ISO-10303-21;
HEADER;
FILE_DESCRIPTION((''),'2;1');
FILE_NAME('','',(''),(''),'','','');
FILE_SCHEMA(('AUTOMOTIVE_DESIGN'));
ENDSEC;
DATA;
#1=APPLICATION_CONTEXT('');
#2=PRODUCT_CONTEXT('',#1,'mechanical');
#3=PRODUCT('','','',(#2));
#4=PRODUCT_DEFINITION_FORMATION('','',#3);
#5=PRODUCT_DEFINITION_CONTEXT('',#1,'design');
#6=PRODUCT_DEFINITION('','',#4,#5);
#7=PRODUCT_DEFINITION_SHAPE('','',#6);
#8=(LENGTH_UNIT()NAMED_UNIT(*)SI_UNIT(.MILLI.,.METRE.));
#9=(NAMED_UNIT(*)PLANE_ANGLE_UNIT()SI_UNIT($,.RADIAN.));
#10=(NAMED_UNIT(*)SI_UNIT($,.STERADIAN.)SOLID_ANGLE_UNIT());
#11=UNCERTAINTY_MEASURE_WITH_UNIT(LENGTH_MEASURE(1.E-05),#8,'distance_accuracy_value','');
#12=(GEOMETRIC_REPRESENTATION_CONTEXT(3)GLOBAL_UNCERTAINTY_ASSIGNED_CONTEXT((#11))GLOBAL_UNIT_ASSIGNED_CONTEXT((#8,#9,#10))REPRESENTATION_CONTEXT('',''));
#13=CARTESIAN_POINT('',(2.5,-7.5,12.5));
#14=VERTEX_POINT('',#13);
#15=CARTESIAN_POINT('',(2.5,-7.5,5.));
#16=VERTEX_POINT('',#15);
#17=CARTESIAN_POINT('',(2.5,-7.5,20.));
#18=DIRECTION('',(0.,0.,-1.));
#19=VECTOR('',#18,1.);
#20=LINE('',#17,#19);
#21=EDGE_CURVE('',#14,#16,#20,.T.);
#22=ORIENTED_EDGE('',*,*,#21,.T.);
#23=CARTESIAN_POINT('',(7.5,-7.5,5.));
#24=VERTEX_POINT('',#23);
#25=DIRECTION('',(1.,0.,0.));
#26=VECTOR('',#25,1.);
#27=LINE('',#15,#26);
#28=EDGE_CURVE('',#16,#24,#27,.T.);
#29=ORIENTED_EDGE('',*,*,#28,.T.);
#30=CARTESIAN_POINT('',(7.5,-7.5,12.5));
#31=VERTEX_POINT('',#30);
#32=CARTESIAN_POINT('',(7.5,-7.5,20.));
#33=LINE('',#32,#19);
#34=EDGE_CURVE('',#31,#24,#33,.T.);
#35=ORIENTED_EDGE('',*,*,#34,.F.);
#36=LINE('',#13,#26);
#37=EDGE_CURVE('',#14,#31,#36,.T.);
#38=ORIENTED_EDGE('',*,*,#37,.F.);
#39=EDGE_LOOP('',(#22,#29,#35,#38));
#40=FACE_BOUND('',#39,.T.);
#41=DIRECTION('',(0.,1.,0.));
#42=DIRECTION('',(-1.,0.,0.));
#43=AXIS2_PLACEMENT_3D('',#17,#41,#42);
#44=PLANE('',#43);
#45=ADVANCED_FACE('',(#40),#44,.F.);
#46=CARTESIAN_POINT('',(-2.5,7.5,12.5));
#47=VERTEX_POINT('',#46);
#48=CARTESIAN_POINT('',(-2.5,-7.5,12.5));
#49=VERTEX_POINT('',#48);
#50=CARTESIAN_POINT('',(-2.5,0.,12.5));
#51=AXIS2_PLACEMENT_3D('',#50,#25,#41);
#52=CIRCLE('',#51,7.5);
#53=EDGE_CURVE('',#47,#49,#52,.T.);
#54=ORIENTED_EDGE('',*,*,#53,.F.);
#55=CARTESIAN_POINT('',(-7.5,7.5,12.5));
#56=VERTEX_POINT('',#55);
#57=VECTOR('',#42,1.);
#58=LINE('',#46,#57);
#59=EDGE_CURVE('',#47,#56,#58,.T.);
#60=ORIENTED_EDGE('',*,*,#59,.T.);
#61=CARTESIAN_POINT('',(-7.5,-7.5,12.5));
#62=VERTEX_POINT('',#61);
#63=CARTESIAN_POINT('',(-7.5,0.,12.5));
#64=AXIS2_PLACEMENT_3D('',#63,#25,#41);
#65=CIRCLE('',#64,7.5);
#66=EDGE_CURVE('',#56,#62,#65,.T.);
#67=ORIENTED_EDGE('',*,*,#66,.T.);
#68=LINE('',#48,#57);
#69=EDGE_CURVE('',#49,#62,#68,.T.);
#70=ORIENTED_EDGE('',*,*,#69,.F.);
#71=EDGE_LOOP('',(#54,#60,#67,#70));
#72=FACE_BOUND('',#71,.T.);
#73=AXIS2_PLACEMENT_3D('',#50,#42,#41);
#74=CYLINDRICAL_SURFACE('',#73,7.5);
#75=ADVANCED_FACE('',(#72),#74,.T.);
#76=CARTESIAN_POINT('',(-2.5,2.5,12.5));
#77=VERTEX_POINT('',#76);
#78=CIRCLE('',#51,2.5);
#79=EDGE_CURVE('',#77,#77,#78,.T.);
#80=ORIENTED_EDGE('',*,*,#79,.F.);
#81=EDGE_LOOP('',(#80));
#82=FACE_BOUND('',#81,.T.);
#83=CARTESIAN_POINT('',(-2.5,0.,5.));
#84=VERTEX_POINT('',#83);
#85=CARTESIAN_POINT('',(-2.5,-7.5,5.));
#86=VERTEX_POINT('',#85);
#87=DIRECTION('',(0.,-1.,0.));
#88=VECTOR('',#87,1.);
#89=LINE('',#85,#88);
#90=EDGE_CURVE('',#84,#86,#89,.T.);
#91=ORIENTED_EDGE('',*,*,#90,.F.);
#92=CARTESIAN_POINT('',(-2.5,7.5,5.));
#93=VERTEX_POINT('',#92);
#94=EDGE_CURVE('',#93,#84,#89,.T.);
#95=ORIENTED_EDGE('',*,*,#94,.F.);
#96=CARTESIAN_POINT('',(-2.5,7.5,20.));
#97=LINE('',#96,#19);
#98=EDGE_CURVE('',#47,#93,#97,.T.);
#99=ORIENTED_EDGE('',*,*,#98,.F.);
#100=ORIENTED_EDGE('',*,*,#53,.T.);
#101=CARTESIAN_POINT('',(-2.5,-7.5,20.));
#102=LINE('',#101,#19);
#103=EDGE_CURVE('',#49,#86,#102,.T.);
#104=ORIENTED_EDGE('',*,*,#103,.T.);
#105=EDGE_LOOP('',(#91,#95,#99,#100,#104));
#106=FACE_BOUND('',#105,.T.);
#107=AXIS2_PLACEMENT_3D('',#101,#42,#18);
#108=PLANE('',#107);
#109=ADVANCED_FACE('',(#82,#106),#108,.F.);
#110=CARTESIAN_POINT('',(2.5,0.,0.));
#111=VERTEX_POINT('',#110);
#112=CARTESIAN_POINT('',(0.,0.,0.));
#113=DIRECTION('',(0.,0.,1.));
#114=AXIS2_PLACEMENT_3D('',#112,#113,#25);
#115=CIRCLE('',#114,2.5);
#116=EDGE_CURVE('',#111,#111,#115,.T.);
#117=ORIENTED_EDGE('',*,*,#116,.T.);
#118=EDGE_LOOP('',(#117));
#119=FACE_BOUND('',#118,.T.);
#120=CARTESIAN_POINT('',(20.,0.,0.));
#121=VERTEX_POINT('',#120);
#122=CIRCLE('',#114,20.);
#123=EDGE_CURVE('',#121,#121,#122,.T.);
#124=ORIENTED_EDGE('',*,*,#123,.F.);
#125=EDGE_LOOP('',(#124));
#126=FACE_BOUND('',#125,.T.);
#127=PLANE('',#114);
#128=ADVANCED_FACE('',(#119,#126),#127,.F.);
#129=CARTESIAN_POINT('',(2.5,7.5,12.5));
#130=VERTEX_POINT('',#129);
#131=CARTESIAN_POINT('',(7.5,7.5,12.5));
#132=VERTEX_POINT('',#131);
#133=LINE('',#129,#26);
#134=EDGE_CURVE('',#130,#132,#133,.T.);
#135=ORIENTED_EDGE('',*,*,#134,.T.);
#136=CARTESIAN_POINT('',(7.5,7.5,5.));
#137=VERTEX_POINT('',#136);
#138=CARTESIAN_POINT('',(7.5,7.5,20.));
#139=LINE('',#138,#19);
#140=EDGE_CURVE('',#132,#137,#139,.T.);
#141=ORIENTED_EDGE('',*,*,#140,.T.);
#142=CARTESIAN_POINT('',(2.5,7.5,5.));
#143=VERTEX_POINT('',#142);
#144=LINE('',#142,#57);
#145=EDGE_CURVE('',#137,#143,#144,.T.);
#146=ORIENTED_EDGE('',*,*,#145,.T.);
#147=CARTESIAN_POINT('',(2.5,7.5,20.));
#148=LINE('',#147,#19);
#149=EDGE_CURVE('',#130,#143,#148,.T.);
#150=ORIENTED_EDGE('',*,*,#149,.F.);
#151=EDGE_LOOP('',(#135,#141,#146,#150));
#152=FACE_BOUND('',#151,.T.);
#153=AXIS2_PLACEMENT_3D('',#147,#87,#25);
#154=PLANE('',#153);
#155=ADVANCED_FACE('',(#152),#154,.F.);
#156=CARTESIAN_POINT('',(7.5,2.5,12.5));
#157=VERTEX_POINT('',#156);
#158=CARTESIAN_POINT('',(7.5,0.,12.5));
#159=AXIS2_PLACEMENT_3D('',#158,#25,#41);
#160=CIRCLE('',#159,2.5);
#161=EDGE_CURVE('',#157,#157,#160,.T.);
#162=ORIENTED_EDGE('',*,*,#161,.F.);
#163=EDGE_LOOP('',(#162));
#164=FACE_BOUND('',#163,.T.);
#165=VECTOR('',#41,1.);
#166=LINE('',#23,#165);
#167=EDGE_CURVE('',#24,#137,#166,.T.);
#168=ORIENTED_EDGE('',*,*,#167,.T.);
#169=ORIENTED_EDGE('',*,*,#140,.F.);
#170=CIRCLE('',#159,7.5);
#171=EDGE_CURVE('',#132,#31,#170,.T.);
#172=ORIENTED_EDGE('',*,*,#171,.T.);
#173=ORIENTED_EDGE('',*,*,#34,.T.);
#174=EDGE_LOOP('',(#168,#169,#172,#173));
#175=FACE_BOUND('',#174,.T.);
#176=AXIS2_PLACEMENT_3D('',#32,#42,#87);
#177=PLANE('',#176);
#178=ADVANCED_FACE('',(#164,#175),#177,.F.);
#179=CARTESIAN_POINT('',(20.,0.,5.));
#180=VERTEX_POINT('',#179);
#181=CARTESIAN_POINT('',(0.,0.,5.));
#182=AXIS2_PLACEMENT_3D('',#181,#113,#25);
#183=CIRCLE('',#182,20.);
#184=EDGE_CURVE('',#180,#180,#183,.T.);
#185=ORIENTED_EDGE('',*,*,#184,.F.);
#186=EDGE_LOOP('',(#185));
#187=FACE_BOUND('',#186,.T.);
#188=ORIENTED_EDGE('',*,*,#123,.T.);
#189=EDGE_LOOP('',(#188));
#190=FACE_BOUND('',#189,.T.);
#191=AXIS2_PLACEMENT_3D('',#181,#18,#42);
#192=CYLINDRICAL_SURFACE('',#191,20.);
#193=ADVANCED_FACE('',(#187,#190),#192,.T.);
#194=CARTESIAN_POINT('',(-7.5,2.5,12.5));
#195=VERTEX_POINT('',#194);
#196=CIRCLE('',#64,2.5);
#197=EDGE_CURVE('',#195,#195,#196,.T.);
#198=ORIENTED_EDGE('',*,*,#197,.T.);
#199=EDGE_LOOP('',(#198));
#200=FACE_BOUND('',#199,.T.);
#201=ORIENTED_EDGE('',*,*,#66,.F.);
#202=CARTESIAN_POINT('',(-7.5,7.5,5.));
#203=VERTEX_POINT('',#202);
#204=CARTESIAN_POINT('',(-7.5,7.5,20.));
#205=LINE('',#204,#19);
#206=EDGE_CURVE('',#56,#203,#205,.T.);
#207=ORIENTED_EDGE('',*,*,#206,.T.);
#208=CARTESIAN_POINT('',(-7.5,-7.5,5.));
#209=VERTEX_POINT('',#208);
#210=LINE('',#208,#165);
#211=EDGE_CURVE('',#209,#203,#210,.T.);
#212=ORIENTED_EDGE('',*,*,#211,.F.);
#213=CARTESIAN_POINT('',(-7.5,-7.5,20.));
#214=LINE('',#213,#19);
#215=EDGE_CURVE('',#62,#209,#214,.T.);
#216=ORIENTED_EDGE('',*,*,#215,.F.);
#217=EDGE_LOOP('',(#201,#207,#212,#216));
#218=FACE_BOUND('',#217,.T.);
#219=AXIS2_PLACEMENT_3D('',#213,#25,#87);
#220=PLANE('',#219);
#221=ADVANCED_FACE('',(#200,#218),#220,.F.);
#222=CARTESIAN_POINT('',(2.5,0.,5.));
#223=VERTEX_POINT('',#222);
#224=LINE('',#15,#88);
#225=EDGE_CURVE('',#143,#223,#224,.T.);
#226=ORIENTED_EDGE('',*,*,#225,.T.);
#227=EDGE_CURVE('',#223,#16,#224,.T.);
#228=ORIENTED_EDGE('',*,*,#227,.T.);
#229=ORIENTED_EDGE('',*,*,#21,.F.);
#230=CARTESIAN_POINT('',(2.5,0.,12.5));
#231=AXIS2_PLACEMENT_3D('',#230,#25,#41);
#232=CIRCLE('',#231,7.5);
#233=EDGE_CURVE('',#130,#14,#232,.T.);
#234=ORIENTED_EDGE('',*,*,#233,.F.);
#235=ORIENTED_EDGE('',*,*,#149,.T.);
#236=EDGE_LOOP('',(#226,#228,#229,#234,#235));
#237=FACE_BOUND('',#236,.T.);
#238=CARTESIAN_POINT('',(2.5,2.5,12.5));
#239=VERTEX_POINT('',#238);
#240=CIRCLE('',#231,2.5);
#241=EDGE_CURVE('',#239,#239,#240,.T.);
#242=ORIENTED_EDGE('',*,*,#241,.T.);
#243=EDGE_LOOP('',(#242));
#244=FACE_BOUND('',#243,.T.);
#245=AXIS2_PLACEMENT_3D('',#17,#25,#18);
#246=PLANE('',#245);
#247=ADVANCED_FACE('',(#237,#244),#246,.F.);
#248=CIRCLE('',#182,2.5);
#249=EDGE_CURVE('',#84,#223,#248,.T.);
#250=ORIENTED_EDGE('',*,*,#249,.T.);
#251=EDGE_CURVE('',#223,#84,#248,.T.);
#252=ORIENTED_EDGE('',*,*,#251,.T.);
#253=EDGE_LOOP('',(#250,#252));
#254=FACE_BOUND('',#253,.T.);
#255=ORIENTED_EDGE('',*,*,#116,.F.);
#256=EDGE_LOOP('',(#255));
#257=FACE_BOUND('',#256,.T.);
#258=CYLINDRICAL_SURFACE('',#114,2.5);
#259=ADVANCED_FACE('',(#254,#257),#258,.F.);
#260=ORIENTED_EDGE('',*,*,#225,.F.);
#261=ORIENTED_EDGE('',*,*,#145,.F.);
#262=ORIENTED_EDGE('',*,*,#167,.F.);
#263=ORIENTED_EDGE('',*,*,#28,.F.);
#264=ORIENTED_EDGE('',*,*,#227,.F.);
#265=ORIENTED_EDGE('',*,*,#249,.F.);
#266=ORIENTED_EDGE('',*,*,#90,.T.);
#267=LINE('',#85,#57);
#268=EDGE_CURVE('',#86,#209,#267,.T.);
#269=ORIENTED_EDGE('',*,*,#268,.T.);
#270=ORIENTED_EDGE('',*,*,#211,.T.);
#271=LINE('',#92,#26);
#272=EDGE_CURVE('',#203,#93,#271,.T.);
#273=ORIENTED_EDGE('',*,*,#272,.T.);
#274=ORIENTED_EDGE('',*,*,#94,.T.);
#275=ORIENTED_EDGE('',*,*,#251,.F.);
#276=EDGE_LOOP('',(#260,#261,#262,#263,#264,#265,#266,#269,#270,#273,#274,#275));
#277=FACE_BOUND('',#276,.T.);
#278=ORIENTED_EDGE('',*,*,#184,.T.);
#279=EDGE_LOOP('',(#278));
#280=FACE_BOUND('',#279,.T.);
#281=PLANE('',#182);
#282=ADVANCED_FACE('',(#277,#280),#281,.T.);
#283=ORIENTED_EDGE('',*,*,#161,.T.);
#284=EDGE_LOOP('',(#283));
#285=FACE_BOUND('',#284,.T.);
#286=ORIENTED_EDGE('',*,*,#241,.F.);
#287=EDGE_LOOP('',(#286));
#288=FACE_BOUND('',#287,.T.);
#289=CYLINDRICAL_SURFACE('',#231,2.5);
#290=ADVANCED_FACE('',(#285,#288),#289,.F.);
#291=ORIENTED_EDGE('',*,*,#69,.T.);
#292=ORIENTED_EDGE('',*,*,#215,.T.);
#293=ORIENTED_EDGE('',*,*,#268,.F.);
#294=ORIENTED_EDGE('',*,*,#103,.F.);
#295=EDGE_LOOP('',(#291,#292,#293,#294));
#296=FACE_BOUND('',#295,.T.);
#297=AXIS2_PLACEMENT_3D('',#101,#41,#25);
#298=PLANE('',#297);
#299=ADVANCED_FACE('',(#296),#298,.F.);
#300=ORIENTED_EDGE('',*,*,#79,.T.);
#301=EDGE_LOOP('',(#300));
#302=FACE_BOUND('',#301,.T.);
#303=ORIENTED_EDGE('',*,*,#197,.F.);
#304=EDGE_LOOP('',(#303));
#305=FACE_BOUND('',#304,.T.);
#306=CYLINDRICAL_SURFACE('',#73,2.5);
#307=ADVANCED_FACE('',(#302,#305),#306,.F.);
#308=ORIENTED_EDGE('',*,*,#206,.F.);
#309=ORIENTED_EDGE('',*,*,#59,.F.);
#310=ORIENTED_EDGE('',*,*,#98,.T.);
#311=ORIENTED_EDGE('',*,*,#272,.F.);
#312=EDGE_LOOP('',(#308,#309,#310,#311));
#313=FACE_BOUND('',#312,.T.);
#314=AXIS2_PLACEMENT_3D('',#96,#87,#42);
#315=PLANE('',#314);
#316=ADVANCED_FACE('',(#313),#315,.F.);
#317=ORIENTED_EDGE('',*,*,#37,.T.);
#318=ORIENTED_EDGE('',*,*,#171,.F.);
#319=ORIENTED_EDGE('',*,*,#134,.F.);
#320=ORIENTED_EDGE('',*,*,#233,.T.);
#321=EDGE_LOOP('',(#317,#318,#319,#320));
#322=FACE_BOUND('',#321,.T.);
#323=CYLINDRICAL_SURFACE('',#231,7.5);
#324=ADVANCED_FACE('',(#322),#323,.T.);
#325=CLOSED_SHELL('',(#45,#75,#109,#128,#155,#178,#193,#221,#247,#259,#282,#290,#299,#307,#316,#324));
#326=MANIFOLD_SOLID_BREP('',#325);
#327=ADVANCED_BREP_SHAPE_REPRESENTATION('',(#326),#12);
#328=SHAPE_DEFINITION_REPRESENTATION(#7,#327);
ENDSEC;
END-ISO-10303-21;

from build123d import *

# Parameters (mm, degrees)
CROQUIS1_R              = 20
SALIENTE_EXTRUIR1_DEPTH = 5
CROQUIS2_R              = 2.5
CORTAR_EXTRUIR1_DEPTH   = 5
CROQUIS3_W              = 5
CROQUIS3_H              = 15
SALIENTE_EXTRUIR3_DEPTH = 15
CROQUIS4_R              = 2.5
CORTAR_EXTRUIR2_DEPTH   = 5


with BuildPart() as part:
    # Croquis1 → Saliente-Extruir1 (new body)
    with BuildSketch(Plane.XY):
        Circle(CROQUIS1_R)
    extrude(amount=SALIENTE_EXTRUIR1_DEPTH)

    # Croquis2 → Cortar-Extruir1 (cut)
    with BuildSketch(Plane.XY.offset(5)):
        Circle(CROQUIS2_R)
    extrude(amount=-CORTAR_EXTRUIR1_DEPTH, mode=Mode.SUBTRACT)

    # Croquis3 → Saliente-Extruir3 (add)
    with BuildSketch(Plane.XY.offset(5)):
        with Locations((5, 0)):
            Rectangle(CROQUIS3_W, CROQUIS3_H)
    extrude(amount=SALIENTE_EXTRUIR3_DEPTH)

    # Croquis4 → Cortar-Extruir2 (cut)
    with BuildSketch(Plane(origin=(7.5, 0, 0), x_dir=(0, 0, -1), z_dir=(1, 0, 0))):
        with BuildLine():
            ThreePointArc((-12.5, -7.5), (-17.803300859, -5.303300859), (-20, 0))
            Line((-20, 0), (-20, -7.5))
            Line((-20, -7.5), (-12.5, -7.5))
        make_face()
        with BuildLine():
            ThreePointArc((-20, 0), (-17.803300859, 5.303300859), (-12.5, 7.5))
            Line((-12.5, 7.5), (-20, 7.5))
            Line((-20, 7.5), (-20, 0))
        make_face()
        with Locations(Location((-12.5, 0, 0), (0, 0, 90))):
            Circle(CROQUIS4_R)
    extrude(amount=-CORTAR_EXTRUIR2_DEPTH, mode=Mode.SUBTRACT)

    # Simetría1: part across plane


with BuildPart() as part_1:
    add(part.part)
    add(part.part.mirror(Plane(origin=(0, 0, 0), x_dir=(0, 0, 1), z_dir=(1, 0, 0))))


solid = part_1.part
